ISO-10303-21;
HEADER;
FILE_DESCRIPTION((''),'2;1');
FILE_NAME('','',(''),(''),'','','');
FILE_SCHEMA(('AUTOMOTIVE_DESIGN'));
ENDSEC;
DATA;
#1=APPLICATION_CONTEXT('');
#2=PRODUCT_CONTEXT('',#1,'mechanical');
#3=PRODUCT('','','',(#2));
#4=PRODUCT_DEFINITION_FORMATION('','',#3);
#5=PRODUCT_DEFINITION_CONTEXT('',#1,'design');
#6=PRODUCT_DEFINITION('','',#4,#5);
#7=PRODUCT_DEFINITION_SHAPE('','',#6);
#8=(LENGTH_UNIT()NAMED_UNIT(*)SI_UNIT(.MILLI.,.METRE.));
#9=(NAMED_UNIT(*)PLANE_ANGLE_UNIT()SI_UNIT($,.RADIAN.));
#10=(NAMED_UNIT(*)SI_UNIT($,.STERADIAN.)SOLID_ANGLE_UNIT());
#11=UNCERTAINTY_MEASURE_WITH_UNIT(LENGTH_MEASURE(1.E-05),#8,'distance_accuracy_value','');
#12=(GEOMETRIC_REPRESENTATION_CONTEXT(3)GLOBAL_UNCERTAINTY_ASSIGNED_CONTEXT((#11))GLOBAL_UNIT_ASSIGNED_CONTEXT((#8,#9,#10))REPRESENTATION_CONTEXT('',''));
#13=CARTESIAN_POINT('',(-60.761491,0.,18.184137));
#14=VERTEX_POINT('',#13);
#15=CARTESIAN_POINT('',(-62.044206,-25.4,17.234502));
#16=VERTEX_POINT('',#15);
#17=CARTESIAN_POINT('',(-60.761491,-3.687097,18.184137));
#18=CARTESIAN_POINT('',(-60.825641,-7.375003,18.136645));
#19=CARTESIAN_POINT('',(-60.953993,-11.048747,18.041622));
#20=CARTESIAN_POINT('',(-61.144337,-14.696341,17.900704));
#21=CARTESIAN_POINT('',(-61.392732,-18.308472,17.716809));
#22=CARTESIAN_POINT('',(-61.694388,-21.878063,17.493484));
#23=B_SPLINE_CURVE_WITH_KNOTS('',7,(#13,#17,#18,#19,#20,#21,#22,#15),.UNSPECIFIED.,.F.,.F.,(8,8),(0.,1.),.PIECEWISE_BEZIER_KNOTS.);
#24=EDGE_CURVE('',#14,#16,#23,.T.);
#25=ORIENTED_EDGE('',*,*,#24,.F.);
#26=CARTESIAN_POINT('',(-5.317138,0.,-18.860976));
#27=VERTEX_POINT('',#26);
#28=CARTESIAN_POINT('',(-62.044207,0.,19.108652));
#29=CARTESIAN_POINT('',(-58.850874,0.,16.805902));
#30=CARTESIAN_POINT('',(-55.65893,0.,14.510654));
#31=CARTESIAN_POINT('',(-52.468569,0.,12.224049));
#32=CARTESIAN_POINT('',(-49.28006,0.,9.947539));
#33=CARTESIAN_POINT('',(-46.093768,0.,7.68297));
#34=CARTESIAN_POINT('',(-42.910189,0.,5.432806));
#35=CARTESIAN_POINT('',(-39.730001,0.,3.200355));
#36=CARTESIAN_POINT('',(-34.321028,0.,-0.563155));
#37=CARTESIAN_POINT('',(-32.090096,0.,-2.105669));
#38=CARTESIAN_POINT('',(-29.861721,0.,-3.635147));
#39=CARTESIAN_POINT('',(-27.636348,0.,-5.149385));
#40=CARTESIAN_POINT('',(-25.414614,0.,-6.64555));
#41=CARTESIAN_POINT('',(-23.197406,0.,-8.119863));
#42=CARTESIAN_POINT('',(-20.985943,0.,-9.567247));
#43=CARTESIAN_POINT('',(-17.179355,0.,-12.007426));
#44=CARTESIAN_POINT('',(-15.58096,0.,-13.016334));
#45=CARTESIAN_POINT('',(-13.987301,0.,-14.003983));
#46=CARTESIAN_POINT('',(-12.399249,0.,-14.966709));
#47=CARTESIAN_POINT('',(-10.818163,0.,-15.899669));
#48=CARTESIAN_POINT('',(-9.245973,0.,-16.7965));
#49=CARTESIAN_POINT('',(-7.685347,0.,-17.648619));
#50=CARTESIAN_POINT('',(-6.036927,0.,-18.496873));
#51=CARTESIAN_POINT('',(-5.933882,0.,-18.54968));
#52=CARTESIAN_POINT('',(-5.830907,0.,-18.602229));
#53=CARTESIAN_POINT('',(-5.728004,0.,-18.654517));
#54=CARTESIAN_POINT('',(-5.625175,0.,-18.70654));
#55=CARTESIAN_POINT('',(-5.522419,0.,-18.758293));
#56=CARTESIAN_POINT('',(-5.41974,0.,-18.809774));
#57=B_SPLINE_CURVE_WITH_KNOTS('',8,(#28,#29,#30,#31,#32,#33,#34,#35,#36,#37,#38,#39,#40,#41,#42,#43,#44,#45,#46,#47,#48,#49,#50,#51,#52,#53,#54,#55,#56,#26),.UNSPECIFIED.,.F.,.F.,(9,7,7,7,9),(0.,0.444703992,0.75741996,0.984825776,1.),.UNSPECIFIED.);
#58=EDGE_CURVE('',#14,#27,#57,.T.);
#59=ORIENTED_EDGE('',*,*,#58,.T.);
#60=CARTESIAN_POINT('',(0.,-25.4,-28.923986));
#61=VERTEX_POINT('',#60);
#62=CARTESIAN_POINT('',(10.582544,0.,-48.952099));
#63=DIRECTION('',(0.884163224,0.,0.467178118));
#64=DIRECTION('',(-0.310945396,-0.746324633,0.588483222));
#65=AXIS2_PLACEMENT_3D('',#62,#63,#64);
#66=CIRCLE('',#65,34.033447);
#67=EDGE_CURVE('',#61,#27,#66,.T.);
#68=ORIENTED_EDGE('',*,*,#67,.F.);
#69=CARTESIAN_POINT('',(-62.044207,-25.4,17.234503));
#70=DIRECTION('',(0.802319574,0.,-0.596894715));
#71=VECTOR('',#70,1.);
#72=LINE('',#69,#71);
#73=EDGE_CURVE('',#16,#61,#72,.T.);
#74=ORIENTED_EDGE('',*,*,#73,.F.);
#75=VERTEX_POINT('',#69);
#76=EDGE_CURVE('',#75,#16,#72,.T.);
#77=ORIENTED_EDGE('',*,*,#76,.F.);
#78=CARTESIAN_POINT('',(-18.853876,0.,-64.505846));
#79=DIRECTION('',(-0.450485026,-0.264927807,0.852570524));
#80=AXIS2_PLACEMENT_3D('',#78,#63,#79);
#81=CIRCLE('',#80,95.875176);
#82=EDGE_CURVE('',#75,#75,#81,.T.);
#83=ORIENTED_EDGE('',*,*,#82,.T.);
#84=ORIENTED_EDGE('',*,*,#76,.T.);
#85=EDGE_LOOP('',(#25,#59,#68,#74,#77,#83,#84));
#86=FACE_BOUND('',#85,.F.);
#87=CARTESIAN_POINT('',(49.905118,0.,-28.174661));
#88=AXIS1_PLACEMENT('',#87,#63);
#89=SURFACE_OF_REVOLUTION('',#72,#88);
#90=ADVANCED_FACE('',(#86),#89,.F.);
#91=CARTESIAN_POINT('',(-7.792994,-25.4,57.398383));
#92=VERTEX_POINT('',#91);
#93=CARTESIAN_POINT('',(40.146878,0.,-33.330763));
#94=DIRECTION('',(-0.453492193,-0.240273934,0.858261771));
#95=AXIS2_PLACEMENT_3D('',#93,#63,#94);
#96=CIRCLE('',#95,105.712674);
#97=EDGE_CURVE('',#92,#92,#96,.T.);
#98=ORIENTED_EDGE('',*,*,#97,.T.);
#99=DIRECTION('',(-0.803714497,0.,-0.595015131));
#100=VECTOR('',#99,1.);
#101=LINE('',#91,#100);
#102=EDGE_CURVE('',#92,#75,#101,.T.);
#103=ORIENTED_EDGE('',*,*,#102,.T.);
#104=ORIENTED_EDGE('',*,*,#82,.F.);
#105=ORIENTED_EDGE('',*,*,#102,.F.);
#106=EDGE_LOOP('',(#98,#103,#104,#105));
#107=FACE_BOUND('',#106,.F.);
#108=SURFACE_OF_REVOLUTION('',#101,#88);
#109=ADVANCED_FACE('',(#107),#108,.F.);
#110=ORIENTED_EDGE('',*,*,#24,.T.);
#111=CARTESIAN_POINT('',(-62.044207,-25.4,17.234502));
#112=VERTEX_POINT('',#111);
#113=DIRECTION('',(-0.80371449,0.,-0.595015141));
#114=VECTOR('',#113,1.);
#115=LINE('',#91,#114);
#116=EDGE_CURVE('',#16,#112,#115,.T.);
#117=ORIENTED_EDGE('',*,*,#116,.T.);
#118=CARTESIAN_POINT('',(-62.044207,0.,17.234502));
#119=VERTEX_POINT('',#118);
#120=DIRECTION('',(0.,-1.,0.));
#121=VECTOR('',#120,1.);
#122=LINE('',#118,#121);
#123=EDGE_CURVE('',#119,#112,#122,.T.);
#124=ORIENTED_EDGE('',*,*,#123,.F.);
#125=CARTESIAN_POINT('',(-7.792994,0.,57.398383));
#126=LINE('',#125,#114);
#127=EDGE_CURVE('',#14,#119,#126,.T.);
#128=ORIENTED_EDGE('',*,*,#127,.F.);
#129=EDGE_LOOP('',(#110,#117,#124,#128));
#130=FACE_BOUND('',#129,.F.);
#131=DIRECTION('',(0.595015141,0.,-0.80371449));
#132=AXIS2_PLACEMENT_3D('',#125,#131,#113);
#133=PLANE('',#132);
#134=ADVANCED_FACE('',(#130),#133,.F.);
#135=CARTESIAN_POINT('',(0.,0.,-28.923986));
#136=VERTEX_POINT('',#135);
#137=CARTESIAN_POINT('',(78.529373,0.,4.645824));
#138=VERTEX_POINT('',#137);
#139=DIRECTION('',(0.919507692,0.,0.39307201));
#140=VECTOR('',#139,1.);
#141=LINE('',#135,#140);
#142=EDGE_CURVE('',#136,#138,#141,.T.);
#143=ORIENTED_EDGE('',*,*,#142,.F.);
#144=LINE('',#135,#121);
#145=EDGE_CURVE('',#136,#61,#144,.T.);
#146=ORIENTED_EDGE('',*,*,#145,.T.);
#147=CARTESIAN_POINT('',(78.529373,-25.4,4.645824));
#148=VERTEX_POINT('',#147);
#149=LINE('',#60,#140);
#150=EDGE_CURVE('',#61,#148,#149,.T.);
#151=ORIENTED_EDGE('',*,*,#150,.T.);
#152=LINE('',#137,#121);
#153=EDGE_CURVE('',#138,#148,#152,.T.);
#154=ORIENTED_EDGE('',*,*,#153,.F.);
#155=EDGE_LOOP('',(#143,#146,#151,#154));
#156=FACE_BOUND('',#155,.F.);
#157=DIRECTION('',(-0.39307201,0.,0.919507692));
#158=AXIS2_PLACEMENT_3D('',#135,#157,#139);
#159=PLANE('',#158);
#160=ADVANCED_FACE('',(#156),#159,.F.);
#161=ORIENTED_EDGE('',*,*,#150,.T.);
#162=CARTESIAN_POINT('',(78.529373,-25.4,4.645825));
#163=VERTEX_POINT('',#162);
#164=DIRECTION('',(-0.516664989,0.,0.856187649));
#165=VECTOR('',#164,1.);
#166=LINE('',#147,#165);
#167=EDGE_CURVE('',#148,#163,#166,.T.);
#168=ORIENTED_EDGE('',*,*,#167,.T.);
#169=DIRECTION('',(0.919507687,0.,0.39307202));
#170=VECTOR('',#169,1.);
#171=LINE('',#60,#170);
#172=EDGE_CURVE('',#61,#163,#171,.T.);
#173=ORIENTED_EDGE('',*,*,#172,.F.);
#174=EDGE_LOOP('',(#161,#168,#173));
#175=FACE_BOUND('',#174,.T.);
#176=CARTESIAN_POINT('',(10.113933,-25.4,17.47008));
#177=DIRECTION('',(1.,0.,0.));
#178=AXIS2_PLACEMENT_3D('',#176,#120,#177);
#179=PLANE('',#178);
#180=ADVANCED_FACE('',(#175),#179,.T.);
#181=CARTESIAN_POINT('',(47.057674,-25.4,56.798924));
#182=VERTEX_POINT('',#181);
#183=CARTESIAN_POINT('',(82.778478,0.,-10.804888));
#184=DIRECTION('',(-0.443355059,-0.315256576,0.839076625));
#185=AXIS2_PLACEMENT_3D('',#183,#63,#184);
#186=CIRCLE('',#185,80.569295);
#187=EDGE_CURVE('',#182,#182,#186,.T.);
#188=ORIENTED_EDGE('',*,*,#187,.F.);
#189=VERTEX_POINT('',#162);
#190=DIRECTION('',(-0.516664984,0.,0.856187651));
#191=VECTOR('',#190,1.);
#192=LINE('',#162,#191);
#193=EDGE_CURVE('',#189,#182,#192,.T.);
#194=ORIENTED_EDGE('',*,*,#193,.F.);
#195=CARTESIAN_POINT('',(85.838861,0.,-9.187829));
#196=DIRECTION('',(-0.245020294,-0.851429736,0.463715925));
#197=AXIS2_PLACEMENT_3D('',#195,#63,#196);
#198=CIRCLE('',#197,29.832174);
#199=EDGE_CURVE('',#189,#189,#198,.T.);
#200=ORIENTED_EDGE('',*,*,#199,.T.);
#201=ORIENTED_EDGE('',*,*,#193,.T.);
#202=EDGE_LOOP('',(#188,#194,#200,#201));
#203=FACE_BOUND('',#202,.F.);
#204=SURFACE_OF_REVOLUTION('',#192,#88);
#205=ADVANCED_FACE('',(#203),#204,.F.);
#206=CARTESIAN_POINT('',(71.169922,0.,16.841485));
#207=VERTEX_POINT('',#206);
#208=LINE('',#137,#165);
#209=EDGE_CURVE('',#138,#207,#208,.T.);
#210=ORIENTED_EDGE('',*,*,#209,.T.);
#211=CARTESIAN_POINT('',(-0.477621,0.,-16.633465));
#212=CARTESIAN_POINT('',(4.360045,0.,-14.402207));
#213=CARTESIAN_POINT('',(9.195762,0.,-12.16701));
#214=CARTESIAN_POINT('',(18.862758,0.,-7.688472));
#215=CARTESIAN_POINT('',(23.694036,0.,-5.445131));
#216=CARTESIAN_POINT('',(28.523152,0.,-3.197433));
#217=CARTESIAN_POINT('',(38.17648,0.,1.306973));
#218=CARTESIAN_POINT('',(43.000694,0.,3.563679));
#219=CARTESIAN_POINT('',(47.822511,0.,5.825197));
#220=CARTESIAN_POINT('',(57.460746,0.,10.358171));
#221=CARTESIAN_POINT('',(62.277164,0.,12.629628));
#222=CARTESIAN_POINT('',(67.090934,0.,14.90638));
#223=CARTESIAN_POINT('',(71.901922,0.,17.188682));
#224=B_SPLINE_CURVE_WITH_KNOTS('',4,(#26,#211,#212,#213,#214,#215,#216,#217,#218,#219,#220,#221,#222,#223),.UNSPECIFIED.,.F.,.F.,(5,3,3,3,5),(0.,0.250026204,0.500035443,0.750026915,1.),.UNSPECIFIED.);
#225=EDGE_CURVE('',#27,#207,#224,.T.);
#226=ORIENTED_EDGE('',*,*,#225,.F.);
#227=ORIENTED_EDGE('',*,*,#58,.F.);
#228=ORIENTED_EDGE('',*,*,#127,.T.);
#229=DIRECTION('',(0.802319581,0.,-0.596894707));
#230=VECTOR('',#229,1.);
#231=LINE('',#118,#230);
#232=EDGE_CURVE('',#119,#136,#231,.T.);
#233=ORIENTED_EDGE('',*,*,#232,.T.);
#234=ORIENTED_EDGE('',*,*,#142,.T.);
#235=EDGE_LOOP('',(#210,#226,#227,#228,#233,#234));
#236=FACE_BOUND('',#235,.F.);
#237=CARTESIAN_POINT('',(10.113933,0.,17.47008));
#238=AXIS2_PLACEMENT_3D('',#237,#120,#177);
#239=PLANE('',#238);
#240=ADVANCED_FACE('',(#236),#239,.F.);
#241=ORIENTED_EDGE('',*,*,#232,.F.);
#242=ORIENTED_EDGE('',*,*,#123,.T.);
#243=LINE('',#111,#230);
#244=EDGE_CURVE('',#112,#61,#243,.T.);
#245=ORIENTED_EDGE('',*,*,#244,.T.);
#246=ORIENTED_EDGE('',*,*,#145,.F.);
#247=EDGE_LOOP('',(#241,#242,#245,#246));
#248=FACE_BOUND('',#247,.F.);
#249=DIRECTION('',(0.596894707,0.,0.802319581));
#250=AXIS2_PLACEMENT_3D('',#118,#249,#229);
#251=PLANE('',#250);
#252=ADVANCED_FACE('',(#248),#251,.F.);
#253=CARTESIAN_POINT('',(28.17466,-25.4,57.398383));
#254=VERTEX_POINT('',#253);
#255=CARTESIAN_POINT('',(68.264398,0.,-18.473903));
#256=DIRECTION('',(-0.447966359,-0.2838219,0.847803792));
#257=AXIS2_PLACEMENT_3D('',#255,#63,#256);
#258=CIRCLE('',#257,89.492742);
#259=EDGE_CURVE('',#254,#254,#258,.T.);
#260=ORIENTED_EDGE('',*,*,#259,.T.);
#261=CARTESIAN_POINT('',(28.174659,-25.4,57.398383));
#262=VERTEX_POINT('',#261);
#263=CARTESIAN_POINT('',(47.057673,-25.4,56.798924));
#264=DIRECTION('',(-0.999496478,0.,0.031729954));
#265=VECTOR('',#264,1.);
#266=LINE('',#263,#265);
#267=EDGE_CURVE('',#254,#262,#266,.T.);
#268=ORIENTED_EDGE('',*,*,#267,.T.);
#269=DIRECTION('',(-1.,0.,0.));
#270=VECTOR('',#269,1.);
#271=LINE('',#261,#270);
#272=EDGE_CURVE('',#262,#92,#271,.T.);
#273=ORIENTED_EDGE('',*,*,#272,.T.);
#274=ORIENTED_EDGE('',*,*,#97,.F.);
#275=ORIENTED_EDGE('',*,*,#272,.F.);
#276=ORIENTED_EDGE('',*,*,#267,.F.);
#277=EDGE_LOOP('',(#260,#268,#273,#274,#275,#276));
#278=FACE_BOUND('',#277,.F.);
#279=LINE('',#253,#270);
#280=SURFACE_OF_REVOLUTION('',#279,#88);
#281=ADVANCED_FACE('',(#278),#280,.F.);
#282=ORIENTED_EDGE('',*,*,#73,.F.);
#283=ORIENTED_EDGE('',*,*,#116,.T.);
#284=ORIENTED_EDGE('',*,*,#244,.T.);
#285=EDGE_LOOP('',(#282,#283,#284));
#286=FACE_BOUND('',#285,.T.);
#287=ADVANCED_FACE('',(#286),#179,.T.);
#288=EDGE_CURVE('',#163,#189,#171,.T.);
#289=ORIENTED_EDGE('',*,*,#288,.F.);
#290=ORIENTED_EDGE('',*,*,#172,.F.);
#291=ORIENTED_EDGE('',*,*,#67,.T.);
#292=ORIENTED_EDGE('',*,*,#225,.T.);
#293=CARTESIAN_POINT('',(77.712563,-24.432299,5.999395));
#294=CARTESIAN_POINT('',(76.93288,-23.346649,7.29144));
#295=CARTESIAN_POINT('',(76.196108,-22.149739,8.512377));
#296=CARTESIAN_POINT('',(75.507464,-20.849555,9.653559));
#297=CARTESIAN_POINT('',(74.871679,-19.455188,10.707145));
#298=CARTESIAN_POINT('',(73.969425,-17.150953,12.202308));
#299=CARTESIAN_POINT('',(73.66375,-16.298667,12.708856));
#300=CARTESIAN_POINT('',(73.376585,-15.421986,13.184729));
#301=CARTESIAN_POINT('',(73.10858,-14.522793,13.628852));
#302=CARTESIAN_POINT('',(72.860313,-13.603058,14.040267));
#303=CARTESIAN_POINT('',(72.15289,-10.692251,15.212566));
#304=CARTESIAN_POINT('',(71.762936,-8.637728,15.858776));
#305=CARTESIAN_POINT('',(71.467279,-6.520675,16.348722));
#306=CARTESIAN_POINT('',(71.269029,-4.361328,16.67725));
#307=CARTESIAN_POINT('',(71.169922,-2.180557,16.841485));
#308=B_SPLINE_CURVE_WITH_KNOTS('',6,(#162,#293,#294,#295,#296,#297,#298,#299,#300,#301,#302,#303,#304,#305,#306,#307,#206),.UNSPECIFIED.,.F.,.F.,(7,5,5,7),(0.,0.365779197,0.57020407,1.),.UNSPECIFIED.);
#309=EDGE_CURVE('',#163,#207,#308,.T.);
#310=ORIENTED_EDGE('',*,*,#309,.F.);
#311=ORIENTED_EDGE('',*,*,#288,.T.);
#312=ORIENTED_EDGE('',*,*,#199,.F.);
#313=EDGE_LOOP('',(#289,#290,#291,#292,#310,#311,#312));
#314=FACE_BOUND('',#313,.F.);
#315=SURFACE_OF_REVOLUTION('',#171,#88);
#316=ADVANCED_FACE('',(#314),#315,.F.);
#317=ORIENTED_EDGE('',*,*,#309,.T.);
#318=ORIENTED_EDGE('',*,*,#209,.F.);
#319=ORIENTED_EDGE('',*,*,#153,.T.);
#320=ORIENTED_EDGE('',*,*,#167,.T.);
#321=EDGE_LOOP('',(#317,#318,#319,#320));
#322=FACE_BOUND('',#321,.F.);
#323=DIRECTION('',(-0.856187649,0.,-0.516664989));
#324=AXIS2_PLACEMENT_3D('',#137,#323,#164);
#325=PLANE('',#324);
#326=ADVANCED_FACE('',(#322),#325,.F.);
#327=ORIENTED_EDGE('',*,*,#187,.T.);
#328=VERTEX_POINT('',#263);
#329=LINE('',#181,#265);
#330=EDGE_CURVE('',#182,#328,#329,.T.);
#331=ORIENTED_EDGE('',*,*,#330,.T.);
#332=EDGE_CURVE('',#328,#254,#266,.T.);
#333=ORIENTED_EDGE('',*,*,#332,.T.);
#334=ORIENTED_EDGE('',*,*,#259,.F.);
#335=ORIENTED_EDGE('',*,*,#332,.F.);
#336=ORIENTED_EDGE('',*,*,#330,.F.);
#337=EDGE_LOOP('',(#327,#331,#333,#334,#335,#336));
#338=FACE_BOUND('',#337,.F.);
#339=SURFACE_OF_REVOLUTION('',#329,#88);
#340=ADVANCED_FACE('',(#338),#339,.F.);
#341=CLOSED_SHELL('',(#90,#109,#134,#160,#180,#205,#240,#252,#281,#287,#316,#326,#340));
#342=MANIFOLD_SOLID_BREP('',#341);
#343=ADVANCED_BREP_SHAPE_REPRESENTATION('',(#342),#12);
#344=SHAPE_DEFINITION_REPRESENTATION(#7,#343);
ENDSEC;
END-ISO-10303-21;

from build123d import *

# Parameters (mm, degrees)
F1_DEPTH = 25.4


with BuildPart() as f1:
    # F0 (on Front) → F1 (new body)
    with BuildSketch(Plane.XZ):
        Polygon((-7.792994, 57.398383), (-62.044207, 17.234502), (0, -28.923986), (78.529373, 4.645824), (47.057673, 56.798924), (28.174659, 57.398383), align=None)
    extrude(amount=F1_DEPTH)

    # F1_face (on face) → F3 (revolve)
    with BuildSketch(Plane(origin=(10.856926, -25.4, 17.963722), x_dir=(1, 0, 0), z_dir=(0, -1, 0))):
        Polygon((-18.64992, 39.434661), (-72.901133, -0.729219), (-10.856926, -46.887708), (67.672447, -13.317897), (36.200748, 38.835202), (17.317734, 39.434661), align=None)
    revolve(axis=Axis((49.905118, 0, -28.174661), (0.884163, 0, 0.467178)))


solid = f1.part
